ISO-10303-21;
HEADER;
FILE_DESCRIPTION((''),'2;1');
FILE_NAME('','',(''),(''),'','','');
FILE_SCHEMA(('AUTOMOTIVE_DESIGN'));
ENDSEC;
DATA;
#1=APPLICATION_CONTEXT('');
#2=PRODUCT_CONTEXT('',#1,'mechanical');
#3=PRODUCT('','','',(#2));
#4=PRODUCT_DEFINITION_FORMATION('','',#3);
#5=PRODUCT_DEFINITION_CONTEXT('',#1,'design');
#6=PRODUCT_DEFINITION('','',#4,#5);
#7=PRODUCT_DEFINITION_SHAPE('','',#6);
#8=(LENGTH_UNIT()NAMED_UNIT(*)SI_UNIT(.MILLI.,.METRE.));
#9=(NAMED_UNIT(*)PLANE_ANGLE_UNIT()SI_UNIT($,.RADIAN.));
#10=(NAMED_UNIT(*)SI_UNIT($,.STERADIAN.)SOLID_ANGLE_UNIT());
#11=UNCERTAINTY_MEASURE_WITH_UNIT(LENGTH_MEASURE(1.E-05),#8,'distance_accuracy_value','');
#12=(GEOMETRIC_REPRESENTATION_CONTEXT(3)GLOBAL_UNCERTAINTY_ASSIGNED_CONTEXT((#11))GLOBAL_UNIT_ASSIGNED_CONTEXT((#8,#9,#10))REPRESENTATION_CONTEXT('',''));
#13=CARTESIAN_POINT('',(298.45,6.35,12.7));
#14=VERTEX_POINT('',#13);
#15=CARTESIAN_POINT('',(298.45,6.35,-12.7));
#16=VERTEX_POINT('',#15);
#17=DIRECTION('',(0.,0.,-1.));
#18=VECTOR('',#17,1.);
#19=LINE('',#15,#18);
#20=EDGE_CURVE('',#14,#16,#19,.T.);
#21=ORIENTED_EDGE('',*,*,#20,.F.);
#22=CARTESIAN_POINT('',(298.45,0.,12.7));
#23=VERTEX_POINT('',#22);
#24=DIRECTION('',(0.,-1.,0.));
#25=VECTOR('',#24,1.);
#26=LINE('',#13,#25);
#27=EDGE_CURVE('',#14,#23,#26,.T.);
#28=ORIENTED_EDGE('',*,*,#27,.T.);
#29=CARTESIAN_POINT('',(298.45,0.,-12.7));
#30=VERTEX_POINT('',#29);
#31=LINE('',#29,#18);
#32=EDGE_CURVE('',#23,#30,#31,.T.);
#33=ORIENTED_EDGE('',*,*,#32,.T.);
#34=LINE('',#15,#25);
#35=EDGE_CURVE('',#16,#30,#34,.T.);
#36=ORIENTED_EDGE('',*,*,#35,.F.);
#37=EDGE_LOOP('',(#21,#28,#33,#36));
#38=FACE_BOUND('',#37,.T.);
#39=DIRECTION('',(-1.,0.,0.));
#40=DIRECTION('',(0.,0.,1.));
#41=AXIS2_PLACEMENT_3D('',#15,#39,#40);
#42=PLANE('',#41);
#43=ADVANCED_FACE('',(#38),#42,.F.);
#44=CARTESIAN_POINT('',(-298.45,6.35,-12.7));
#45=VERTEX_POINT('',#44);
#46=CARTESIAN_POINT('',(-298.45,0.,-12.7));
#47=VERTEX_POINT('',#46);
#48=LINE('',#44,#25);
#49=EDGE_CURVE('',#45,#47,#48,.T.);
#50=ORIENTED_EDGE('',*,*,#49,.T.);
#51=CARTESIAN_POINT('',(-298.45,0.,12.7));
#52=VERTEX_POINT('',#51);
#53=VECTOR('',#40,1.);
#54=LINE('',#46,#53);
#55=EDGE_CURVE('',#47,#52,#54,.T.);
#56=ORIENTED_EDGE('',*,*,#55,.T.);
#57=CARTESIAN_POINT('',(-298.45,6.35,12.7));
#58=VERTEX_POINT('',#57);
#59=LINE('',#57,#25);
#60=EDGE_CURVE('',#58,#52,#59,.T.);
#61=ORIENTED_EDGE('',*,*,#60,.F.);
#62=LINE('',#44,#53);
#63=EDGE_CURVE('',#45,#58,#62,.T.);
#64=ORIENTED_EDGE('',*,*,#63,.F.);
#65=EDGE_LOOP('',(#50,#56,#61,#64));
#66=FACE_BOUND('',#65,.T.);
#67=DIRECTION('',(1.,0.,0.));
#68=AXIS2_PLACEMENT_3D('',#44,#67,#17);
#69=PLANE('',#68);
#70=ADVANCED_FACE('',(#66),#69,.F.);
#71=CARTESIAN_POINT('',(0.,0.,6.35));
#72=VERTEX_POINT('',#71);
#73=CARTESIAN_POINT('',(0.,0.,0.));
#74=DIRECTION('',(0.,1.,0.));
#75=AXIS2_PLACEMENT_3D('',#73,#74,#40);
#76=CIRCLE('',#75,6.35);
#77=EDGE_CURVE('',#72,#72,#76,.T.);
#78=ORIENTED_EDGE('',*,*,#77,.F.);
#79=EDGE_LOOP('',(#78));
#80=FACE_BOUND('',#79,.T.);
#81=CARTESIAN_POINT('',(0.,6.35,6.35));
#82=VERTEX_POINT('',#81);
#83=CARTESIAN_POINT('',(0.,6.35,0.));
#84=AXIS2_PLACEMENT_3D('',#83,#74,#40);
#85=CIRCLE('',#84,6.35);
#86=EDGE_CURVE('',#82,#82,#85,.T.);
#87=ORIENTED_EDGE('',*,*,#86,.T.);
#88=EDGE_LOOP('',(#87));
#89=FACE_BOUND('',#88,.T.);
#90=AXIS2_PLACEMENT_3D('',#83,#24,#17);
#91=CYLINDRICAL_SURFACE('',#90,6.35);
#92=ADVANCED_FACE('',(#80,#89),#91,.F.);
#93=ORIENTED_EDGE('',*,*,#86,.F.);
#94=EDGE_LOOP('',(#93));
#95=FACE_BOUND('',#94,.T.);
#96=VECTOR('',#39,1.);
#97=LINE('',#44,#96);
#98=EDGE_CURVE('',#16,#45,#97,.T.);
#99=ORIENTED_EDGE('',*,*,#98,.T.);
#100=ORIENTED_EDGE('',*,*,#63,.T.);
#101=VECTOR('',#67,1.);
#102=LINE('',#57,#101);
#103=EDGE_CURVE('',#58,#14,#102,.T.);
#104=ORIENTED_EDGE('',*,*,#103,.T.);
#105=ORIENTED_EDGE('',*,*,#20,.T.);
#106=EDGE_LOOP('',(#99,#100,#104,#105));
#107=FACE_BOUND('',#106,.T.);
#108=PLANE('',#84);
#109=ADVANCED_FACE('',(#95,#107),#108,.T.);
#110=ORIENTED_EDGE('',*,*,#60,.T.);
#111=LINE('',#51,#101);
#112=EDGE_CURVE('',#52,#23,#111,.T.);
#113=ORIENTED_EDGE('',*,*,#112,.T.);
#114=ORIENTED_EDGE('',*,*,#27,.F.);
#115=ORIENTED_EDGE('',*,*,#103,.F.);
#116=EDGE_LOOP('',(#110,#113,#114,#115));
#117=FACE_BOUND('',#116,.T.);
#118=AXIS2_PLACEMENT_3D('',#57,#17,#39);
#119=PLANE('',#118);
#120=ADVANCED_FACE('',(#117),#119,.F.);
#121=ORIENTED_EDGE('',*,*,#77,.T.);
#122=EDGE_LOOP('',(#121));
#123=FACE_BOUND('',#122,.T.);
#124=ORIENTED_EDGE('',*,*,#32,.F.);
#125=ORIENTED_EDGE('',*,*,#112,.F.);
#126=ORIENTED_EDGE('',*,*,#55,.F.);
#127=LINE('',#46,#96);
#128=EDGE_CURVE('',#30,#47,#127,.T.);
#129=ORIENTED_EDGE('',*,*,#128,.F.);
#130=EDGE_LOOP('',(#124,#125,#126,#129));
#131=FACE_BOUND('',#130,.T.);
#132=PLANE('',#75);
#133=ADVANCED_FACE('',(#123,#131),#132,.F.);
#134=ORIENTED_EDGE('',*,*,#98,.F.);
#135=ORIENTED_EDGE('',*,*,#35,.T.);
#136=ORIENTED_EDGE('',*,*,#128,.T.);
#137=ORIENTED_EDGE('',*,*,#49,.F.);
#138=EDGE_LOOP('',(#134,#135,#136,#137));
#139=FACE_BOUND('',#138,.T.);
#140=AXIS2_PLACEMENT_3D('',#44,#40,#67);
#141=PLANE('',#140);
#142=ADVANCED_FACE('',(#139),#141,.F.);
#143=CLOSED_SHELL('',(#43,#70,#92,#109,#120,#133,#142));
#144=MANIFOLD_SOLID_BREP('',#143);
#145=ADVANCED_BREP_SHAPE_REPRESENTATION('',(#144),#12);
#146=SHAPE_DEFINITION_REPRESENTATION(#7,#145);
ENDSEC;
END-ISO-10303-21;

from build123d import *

# Parameters (mm, degrees)
SKETCH1_W           = 596.9
SKETCH1_H           = 25.4
SKETCH1_R           = 6.35
BOSS_EXTRUDE1_DEPTH = 6.35


with BuildPart() as part:
    # Sketch1 → Boss-Extrude1 (new body)
    with BuildSketch(Plane(origin=(0, 0, 0), x_dir=(1, 0, 0), z_dir=(0, 1, 0))):
        Rectangle(SKETCH1_W, SKETCH1_H)
        Circle(SKETCH1_R, mode=Mode.SUBTRACT)
    extrude(amount=BOSS_EXTRUDE1_DEPTH)


solid = part.part
